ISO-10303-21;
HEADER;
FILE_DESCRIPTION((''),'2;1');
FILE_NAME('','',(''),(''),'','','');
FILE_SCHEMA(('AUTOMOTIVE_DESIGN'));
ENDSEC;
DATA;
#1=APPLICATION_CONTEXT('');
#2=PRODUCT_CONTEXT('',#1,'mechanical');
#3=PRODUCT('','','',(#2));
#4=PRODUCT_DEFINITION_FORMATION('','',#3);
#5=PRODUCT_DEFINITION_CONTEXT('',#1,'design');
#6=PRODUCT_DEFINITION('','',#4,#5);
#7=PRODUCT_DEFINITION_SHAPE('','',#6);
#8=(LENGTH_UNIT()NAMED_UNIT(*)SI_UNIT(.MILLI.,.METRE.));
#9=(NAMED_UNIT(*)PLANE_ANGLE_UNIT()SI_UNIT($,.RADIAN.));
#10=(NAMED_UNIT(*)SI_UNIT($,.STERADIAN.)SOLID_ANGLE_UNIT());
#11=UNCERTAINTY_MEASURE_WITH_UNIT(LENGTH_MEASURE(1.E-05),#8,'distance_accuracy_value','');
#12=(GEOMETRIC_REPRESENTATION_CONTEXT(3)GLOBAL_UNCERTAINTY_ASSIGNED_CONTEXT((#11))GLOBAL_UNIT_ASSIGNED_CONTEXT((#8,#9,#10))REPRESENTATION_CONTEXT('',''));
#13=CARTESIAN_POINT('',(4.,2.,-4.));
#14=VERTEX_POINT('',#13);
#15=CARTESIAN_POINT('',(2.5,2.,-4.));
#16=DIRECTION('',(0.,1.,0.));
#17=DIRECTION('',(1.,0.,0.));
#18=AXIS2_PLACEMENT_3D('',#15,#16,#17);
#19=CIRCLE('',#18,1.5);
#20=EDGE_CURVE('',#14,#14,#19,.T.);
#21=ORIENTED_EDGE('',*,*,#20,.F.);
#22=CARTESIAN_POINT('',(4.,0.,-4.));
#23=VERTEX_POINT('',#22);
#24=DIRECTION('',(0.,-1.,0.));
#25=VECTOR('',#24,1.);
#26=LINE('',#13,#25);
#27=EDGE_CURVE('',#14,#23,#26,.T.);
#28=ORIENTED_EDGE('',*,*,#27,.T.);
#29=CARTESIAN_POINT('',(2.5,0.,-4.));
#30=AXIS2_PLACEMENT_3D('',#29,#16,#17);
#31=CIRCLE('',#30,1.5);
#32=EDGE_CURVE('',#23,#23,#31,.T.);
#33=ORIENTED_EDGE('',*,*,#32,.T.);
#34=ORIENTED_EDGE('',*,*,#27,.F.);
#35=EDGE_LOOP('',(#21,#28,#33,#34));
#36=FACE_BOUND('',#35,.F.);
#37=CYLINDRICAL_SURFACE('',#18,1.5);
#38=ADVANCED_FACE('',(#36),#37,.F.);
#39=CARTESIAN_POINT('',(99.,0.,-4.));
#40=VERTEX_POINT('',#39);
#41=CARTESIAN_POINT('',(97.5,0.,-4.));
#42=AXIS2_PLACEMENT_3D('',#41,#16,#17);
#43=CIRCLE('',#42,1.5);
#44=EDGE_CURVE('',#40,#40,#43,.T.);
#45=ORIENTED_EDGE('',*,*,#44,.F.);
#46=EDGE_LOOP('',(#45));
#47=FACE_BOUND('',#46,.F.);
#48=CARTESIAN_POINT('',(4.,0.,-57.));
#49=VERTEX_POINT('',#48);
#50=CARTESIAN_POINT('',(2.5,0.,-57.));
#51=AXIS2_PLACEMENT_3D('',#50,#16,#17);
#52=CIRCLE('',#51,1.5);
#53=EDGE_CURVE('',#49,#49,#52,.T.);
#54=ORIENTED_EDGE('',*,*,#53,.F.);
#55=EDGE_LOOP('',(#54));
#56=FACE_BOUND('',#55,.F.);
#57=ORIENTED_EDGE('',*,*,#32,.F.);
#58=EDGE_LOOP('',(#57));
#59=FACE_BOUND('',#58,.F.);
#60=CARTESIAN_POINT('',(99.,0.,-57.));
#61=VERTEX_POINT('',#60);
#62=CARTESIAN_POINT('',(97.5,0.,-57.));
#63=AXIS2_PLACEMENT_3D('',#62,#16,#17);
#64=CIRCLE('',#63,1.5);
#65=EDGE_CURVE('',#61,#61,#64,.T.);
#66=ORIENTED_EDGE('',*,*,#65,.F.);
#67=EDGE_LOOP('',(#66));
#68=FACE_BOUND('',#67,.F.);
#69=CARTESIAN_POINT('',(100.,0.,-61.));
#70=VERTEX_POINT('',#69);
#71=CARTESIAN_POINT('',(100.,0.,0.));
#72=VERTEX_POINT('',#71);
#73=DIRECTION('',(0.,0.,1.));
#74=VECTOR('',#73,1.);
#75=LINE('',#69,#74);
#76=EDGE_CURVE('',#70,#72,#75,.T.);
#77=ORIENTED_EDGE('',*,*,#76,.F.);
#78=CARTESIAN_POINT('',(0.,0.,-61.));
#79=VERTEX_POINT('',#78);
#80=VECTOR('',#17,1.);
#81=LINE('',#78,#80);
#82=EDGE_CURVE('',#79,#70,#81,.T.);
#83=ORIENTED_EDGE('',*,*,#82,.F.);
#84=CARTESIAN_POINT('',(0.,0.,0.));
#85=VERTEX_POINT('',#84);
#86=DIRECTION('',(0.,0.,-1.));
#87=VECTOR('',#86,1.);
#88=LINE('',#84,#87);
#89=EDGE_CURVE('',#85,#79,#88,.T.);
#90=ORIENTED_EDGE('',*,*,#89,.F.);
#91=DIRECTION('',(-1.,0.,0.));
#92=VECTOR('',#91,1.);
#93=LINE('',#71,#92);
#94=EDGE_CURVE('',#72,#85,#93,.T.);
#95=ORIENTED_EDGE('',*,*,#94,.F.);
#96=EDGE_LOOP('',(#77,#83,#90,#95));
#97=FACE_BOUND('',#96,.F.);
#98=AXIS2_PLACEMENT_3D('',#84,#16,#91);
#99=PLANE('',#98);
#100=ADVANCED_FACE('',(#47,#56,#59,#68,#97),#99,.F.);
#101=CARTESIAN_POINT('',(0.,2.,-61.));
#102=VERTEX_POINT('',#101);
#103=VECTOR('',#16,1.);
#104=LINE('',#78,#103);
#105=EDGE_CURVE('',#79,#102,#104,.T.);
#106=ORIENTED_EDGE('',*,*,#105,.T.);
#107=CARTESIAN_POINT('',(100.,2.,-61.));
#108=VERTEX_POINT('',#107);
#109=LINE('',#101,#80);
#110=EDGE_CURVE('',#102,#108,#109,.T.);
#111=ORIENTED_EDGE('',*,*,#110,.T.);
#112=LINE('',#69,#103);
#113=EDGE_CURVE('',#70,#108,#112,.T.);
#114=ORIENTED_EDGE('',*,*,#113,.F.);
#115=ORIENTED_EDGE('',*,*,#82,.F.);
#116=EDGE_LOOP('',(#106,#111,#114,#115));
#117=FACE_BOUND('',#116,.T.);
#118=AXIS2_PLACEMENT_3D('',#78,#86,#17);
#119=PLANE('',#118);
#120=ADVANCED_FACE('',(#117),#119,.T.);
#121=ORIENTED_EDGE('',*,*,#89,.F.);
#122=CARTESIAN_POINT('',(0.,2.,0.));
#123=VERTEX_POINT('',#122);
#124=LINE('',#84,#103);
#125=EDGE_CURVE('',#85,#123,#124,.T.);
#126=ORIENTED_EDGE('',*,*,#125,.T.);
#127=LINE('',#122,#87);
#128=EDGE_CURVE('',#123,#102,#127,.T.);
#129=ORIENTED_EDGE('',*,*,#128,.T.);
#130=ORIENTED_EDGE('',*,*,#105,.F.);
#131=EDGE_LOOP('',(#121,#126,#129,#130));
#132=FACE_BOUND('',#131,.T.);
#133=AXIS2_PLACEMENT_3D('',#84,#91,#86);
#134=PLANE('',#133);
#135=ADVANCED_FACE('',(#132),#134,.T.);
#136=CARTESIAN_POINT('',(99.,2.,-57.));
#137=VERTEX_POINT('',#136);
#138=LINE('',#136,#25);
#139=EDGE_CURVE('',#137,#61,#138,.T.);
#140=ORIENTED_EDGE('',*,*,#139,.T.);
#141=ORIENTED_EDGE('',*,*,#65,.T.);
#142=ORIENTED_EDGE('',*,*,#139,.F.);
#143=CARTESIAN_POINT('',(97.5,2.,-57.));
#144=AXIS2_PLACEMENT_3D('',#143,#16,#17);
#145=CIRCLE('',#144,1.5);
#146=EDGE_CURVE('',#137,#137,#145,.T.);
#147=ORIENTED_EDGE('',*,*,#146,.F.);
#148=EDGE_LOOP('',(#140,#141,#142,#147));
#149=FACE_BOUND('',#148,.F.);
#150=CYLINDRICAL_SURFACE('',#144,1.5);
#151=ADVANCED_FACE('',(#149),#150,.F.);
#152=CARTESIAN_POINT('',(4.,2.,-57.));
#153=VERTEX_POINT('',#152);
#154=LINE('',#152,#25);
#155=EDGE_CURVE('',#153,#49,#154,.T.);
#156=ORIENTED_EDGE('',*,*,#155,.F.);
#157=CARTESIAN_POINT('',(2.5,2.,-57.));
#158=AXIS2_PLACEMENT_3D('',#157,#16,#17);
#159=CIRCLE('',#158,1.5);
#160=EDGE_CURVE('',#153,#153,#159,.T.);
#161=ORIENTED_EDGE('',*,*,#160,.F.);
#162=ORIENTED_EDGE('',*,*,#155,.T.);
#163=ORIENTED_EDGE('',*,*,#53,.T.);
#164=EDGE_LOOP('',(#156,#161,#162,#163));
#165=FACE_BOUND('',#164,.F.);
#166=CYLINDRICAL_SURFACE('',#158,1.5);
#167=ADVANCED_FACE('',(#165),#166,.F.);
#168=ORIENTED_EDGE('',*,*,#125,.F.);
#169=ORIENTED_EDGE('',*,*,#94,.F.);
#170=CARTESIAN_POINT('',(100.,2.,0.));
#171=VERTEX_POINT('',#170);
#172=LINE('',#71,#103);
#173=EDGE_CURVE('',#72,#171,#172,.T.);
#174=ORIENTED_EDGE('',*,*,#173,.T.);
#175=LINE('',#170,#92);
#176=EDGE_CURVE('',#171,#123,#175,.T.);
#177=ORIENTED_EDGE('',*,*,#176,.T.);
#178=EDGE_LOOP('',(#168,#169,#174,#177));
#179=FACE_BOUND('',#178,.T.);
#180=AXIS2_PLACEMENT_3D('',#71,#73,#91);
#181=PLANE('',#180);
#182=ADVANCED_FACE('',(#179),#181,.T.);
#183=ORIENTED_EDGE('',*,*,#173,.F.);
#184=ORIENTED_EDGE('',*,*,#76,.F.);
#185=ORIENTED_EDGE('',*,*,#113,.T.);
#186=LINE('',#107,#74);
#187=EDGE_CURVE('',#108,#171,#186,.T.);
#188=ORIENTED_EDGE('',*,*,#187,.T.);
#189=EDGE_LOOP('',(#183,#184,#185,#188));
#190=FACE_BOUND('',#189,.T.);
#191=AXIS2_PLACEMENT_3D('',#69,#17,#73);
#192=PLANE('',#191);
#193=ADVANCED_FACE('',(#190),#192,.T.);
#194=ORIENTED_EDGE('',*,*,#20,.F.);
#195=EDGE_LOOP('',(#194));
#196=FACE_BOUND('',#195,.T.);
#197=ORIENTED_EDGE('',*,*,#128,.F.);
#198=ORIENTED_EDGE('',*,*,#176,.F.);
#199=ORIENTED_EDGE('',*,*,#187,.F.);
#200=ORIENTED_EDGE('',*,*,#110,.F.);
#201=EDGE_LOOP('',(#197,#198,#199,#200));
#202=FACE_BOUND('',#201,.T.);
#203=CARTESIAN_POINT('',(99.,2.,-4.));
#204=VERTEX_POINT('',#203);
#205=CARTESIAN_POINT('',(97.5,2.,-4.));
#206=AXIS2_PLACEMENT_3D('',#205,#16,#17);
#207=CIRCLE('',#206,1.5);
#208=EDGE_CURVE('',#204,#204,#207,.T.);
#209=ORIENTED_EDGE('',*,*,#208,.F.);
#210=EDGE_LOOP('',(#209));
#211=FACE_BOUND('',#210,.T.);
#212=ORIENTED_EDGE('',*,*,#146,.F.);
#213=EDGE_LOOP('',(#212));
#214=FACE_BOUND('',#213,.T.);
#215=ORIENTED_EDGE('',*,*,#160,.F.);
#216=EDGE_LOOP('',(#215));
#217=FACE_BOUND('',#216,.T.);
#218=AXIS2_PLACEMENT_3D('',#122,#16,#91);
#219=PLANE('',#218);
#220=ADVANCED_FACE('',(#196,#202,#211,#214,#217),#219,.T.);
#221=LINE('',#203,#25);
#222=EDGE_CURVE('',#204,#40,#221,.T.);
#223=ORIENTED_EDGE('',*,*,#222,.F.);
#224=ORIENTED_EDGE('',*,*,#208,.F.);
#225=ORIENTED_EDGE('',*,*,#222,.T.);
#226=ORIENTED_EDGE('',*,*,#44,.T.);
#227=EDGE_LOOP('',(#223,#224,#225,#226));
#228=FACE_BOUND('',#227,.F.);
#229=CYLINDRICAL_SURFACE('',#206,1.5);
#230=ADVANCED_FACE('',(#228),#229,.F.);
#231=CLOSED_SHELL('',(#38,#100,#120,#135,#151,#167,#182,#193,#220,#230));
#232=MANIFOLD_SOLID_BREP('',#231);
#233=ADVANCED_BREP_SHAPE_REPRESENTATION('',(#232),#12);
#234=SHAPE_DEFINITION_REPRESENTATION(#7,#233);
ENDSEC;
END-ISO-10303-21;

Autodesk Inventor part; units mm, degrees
ref_plane "YZ Plane" through (0, 0, 0) normal (1, 0, 0) x (0, 1, 0)
ref_plane "XZ Plane" through (0, 0, 0) normal (0, 1, 0) x (-1, 0, 0)
ref_plane "XY Plane" through (0, 0, 0) normal (0, 0, 1) x (1, 0, 0)
sketch "Sketch1" plane through (0, 0, 0) normal (0, 1, 0) x (-1, 0, 0)
  line L0 (0, -61) -> (-100, -61)
  line L1 (-100, -61) -> (-100, 0)
  line L2 (-100, 0) -> (0, 0)
  line L3 (0, 0) -> (0, -61)
  dimension "d0" = 100
  dimension "d1" = 61
extrude "Extrusion1" add sketch "Sketch1" along normal blind 2
sketch "Sketch2" plane through (0, 2, 0) normal (0, 1, 0) x (1, 0, 0)
  circle A0 centre (97.5, 57) radius 1.5
  circle A1 centre (97.5, 4) radius 1.5
  circle A2 centre (2.5, 4) radius 1.5
  circle A3 centre (2.5, 57) radius 1.5
  line L0 (100, 0) -> (100, 61) projected
  line L1 (100, 61) -> (0, 61) projected
  line L2 (0, 0) -> (100, 0) projected
  line L3 (0, 61) -> (0, 0) projected
  dimension "d4" = 2.5
  dimension "d5" = 4
  dimension "d6" = 3
  dimension "d7" = 2.5
  dimension "d8" = 4
  dimension "d9" = 4
  dimension "d10" = 2.5
  dimension "d11" = 4
  dimension "d12" = 2.5
extrude "Extrusion2" cut sketch "Sketch2" against normal blind 4 contours A0 | A1 | A2 | A3
properties part number "FSCase_Battery_Cover_v7"
